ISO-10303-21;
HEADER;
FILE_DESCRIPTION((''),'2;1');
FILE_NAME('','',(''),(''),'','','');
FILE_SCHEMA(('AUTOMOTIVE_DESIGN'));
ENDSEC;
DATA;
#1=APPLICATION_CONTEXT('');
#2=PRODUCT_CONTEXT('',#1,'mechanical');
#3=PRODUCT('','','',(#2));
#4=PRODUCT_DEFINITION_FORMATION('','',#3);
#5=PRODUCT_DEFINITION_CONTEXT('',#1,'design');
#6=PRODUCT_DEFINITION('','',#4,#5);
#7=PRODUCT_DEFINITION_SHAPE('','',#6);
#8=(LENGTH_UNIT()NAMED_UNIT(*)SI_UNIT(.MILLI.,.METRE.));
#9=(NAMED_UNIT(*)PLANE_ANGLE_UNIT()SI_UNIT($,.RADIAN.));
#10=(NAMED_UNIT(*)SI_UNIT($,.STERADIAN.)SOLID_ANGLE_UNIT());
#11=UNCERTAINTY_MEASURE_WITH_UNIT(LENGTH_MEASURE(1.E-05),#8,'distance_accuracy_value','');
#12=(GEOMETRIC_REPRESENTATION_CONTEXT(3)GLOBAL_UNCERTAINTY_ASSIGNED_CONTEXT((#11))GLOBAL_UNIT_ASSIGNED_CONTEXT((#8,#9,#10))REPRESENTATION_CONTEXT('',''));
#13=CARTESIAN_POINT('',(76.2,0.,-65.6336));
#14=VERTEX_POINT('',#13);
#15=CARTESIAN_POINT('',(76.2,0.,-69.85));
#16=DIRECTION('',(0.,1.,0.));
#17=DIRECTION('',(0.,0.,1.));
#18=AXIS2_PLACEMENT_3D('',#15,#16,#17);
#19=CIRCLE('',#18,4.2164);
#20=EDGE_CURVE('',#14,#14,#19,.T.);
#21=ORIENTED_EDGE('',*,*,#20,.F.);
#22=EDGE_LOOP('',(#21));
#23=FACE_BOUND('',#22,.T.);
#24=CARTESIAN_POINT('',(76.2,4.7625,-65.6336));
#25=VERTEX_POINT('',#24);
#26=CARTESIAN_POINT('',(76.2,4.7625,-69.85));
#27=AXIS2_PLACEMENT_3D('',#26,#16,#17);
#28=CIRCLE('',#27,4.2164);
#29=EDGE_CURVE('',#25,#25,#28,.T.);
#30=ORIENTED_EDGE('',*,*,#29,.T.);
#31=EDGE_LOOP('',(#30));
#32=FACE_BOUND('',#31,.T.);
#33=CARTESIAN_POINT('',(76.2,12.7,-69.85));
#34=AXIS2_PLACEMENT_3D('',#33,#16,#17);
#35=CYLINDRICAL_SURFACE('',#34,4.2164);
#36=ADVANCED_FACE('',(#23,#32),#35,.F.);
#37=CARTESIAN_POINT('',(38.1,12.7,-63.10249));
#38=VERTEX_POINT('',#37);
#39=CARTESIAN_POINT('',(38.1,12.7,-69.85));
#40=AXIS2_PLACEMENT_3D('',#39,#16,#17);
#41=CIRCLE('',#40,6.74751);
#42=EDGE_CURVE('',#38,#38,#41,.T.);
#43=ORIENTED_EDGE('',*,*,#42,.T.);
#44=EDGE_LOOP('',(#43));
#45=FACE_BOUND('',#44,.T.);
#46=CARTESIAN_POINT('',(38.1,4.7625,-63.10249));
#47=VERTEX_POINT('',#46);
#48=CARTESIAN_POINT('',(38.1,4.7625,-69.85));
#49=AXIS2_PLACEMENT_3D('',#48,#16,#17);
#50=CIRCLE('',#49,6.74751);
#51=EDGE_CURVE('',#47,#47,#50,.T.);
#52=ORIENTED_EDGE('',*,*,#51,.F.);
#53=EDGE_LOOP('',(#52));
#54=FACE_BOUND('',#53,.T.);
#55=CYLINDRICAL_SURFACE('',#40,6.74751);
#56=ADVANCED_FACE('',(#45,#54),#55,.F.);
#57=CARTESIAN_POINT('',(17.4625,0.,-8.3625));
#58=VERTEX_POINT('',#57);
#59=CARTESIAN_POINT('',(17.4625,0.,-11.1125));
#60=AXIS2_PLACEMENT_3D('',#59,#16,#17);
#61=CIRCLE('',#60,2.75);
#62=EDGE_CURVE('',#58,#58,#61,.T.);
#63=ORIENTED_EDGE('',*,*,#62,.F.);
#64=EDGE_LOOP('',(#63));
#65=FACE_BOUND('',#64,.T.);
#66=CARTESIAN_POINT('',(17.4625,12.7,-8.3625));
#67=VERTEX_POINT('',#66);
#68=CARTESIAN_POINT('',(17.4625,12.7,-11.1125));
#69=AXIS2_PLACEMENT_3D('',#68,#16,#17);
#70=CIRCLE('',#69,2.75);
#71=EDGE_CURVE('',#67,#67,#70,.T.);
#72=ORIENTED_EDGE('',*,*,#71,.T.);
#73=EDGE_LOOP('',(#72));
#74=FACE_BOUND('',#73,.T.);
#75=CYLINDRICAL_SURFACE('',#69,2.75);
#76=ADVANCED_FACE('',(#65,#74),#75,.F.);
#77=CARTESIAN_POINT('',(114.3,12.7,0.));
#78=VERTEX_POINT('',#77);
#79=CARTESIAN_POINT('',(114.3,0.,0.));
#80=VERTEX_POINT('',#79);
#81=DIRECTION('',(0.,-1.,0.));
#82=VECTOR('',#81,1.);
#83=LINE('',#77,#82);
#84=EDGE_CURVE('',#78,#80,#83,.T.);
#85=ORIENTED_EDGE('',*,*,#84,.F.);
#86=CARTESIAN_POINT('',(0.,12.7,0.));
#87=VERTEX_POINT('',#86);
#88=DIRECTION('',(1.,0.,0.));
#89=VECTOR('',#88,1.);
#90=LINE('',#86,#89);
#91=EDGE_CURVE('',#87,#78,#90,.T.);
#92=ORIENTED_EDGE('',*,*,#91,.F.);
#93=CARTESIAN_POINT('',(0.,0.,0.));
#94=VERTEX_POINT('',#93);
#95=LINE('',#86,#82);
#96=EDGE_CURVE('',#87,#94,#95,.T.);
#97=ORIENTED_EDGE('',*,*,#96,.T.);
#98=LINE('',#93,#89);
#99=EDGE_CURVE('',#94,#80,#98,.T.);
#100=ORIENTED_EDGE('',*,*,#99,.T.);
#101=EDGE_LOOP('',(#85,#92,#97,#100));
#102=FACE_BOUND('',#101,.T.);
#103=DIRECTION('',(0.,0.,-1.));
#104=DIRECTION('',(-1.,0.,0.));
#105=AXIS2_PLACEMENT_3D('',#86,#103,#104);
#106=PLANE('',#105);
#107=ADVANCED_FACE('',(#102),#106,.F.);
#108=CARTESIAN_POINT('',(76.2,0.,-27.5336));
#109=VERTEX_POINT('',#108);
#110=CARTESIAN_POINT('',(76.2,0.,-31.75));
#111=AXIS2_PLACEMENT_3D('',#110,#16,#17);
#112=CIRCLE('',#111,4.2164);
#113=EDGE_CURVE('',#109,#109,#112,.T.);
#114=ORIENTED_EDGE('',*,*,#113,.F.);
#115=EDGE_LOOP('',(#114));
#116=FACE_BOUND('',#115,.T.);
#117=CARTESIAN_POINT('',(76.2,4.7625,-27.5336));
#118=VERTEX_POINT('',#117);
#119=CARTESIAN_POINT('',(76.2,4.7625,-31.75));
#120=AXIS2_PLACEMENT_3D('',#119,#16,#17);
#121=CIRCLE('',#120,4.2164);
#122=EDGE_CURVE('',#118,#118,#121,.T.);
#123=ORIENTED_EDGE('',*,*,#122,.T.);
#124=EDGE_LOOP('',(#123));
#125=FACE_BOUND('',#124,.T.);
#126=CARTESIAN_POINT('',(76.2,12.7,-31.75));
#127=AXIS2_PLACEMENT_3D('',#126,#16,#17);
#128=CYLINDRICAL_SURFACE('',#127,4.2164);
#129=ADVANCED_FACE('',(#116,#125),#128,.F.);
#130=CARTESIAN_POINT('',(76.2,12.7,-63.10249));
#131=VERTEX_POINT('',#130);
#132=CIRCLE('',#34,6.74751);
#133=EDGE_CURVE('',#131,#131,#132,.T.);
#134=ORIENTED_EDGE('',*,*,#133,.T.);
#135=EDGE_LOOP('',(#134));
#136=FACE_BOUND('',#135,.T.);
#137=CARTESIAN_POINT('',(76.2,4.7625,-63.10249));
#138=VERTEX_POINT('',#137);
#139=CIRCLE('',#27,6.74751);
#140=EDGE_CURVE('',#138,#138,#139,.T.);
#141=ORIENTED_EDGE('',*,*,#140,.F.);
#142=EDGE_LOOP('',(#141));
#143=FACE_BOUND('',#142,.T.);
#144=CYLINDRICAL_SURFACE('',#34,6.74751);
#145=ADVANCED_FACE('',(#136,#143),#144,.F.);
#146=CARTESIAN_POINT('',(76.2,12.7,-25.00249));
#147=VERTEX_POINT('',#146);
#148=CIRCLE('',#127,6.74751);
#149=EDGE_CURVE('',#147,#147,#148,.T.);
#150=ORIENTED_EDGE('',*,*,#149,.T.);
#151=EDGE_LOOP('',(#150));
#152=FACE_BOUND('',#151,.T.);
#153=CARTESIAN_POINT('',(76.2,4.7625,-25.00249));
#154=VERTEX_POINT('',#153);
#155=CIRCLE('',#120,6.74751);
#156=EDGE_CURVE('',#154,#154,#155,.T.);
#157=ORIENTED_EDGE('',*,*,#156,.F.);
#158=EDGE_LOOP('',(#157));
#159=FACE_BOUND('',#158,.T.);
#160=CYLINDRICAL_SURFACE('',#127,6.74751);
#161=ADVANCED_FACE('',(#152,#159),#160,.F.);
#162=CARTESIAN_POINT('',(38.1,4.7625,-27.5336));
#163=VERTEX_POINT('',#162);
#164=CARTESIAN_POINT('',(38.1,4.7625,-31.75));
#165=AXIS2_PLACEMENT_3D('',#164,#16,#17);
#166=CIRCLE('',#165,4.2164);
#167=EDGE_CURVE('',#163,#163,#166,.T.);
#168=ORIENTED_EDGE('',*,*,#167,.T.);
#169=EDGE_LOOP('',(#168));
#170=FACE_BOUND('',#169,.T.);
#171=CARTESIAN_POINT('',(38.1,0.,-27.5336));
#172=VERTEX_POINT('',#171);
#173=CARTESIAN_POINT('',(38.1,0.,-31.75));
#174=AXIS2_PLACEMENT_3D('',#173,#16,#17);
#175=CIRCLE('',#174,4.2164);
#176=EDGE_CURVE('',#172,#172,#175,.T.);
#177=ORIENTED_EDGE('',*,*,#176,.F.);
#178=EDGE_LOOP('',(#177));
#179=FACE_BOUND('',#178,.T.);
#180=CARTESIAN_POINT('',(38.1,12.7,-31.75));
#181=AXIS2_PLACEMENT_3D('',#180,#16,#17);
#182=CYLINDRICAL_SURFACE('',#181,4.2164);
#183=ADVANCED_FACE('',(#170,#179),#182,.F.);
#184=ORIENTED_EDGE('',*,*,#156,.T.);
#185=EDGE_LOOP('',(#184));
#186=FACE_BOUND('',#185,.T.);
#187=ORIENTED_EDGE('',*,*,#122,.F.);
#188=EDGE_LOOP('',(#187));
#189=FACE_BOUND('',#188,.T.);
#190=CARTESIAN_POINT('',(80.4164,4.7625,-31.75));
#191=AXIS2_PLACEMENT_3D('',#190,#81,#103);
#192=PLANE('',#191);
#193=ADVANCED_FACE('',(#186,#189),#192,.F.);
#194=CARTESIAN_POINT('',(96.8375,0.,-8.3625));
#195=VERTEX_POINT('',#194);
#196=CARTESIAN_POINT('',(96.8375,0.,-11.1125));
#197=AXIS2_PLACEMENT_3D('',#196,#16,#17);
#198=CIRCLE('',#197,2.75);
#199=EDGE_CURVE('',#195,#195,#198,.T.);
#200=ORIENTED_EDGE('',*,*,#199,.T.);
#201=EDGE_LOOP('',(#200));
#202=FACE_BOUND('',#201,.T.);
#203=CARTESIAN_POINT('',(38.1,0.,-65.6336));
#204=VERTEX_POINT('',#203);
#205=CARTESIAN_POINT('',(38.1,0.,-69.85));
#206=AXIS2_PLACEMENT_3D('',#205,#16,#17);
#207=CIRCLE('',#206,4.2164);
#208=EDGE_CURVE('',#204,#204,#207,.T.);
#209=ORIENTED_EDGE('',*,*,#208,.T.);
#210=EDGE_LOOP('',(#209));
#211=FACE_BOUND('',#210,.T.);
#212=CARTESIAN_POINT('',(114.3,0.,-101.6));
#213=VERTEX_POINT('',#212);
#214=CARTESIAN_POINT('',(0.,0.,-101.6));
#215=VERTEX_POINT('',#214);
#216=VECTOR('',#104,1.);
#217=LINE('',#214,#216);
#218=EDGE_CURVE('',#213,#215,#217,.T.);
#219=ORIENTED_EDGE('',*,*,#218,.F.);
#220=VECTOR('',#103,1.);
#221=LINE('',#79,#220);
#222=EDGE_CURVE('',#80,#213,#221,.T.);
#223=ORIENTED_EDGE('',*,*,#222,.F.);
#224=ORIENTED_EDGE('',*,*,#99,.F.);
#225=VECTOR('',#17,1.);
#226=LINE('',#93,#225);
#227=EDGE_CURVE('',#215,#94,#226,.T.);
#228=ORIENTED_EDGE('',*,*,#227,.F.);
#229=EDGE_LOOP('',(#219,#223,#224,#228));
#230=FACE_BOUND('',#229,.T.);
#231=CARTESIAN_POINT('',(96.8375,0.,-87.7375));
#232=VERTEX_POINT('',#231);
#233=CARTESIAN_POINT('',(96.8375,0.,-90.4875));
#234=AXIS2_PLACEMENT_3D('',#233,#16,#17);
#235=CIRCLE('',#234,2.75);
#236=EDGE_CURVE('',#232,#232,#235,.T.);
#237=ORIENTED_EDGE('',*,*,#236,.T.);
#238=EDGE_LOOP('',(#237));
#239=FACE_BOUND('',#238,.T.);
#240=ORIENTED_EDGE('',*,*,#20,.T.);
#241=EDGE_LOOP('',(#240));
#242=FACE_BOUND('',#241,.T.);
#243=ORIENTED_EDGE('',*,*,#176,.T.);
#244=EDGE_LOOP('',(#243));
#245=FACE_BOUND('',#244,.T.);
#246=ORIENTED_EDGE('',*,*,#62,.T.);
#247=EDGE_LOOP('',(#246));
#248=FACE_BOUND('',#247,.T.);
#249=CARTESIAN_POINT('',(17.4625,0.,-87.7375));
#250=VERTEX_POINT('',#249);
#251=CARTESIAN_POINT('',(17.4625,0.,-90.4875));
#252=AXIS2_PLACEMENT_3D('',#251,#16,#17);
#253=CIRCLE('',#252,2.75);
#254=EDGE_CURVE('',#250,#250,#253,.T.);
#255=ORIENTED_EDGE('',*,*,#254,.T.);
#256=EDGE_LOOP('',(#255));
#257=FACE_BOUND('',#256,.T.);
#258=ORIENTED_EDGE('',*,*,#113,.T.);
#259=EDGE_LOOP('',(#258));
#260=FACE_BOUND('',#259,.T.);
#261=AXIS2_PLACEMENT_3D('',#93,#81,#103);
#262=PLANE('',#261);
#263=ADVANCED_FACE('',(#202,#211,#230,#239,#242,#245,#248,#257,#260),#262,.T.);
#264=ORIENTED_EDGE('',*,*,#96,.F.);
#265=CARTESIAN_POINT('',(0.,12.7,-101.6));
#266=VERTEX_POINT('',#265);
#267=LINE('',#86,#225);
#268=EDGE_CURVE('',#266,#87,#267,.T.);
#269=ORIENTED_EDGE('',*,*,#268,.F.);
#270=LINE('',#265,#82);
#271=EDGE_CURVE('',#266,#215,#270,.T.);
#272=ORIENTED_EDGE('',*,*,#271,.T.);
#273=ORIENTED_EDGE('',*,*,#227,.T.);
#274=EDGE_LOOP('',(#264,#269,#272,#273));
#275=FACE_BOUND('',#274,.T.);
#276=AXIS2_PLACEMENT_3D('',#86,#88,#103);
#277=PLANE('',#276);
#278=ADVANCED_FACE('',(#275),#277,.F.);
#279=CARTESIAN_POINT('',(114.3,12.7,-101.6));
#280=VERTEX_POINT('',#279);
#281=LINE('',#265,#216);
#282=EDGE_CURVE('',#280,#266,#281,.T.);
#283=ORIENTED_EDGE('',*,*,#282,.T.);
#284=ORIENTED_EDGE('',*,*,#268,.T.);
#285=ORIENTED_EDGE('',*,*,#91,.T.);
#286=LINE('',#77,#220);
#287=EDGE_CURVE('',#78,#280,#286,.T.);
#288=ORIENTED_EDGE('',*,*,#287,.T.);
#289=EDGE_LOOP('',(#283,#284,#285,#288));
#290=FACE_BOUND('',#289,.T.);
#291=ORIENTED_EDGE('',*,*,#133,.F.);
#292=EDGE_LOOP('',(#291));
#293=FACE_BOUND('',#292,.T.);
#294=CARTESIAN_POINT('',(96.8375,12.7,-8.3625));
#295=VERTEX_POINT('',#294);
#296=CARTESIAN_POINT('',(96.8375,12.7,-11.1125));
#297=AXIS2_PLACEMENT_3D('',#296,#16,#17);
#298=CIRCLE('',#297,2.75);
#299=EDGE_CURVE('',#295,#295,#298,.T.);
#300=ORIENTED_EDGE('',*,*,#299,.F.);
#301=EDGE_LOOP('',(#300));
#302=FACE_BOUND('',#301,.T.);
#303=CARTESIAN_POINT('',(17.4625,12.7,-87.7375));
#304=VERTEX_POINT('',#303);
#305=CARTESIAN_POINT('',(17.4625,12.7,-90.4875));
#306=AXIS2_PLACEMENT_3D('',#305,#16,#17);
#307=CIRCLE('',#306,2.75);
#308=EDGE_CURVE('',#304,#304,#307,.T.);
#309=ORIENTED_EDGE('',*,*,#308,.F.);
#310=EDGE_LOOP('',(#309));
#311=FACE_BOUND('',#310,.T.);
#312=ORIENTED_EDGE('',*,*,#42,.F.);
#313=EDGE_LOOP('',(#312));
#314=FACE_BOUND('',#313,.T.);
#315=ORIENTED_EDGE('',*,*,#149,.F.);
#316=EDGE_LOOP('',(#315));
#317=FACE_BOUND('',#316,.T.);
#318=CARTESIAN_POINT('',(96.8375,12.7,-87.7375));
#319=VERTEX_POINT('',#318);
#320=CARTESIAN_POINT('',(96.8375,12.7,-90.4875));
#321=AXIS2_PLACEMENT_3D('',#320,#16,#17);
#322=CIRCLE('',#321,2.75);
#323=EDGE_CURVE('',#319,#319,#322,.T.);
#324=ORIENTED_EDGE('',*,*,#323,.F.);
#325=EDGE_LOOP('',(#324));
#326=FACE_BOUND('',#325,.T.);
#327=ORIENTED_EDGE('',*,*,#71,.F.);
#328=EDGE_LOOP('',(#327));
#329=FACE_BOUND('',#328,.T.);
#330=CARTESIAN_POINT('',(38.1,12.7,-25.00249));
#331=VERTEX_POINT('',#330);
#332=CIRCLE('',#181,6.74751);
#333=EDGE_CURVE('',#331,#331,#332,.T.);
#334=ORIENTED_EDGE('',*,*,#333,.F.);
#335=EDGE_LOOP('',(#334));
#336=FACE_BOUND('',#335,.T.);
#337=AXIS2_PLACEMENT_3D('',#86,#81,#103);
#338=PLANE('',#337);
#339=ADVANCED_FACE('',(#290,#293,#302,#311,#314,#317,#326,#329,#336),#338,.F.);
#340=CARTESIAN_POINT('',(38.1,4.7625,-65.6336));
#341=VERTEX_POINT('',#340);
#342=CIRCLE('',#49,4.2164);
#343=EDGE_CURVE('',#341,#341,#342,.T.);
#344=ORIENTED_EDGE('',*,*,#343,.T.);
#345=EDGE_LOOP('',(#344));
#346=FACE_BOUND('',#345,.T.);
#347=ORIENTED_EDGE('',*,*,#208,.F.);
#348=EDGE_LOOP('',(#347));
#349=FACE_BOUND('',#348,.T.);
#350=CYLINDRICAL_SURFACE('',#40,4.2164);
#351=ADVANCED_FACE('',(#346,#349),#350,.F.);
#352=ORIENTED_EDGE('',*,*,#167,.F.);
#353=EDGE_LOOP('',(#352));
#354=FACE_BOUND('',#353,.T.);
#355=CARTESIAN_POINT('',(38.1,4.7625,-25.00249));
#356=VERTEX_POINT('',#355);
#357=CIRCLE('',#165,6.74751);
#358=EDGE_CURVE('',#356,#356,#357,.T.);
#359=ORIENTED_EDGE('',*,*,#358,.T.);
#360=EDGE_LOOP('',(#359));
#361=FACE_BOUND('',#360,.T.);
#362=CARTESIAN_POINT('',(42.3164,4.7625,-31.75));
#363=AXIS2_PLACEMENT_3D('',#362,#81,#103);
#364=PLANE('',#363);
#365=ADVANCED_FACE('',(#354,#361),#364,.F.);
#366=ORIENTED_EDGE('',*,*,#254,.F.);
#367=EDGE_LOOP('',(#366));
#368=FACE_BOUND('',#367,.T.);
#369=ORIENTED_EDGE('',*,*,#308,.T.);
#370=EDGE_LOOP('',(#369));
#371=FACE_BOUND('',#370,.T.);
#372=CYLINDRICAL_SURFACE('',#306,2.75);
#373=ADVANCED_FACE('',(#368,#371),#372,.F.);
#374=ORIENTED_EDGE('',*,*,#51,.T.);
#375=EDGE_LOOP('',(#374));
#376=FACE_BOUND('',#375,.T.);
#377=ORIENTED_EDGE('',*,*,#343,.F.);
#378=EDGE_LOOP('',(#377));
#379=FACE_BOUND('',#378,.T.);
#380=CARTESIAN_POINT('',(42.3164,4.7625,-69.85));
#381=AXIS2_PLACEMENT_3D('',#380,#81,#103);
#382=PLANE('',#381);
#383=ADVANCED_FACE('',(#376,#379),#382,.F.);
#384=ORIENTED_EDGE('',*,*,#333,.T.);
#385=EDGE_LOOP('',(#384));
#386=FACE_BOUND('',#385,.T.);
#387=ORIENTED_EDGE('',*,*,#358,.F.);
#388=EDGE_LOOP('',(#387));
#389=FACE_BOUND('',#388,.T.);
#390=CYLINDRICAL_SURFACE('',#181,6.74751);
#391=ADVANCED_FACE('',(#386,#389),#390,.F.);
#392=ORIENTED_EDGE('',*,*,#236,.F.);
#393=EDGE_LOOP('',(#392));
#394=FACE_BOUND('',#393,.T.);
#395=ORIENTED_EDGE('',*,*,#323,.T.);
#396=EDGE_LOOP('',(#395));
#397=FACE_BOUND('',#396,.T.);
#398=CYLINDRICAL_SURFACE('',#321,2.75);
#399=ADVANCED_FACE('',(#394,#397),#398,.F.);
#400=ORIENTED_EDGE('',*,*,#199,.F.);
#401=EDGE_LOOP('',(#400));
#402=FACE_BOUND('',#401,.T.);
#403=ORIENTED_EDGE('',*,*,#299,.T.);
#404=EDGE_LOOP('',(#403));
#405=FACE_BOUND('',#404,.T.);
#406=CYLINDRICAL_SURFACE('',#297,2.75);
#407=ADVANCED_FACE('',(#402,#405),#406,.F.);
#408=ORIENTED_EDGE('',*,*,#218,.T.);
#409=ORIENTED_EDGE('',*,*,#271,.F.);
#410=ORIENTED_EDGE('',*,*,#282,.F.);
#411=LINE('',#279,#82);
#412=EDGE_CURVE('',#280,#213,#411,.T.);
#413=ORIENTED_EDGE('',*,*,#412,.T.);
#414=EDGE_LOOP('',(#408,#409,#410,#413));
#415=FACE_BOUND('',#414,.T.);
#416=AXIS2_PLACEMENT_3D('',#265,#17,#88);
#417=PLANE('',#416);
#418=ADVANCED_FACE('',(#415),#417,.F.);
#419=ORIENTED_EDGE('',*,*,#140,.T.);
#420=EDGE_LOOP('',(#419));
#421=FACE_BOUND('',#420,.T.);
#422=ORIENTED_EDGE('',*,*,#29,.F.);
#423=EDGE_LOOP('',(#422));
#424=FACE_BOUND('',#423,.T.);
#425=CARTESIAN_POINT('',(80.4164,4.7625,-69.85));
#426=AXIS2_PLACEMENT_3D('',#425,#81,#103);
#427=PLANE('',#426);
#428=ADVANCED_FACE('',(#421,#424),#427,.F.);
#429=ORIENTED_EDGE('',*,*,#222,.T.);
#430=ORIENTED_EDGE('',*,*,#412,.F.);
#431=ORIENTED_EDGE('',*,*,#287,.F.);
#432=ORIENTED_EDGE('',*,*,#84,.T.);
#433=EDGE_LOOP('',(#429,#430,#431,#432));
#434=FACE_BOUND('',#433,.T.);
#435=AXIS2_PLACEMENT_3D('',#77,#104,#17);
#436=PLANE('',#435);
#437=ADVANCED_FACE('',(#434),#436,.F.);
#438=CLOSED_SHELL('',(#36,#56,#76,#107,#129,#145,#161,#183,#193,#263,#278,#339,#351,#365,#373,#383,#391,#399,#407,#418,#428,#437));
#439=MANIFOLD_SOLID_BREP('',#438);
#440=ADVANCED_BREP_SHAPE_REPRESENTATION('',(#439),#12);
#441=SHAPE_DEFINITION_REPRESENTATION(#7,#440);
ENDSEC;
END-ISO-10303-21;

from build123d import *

# Parameters (mm, degrees)
SKETCH1_W                                         = 114.3
SKETCH1_H                                         = 101.6
BOSS_EXTRUDE1_DEPTH                               = 12.7
CBORE_FOR_5_16_SOCKET_HEAD_CAP_SCREW1_D           = 8.4328
CBORE_FOR_5_16_SOCKET_HEAD_CAP_SCREW1_CBORE_D     = 13.49502
CBORE_FOR_5_16_SOCKET_HEAD_CAP_SCREW1_CBORE_DEPTH = 7.9375
M5_CLEARANCE_HOLE1_D                              = 5.5


with BuildPart() as part:
    # Sketch1 → Boss-Extrude1 (new body)
    with BuildSketch(Plane(origin=(0, 0, 0), x_dir=(1, 0, 0), z_dir=(0, 1, 0))):
        with Locations((57.15, 50.8)):
            Rectangle(SKETCH1_W, SKETCH1_H)
    extrude(amount=BOSS_EXTRUDE1_DEPTH)

    # CBORE for 5/16 Socket Head Cap Screw1 (through all)
    with Locations(Plane(origin=(0, 12.7, 0), x_dir=(1, 0, 0), z_dir=(0, 1, 0))):
        with Locations((38.1, 69.85), (76.2, 69.85), (76.2, 31.75), (38.1, 31.75)):
            CounterBoreHole(CBORE_FOR_5_16_SOCKET_HEAD_CAP_SCREW1_D / 2, CBORE_FOR_5_16_SOCKET_HEAD_CAP_SCREW1_CBORE_D / 2, CBORE_FOR_5_16_SOCKET_HEAD_CAP_SCREW1_CBORE_DEPTH)

    # M5 Clearance Hole1 (through all)
    with Locations(Plane(origin=(0, 12.7, 0), x_dir=(1, 0, 0), z_dir=(0, 1, 0))):
        with Locations((17.4625, 11.1125), (96.8375, 11.1125), (96.8375, 90.4875), (17.4625, 90.4875)):
            Hole(M5_CLEARANCE_HOLE1_D / 2)


solid = part.part
